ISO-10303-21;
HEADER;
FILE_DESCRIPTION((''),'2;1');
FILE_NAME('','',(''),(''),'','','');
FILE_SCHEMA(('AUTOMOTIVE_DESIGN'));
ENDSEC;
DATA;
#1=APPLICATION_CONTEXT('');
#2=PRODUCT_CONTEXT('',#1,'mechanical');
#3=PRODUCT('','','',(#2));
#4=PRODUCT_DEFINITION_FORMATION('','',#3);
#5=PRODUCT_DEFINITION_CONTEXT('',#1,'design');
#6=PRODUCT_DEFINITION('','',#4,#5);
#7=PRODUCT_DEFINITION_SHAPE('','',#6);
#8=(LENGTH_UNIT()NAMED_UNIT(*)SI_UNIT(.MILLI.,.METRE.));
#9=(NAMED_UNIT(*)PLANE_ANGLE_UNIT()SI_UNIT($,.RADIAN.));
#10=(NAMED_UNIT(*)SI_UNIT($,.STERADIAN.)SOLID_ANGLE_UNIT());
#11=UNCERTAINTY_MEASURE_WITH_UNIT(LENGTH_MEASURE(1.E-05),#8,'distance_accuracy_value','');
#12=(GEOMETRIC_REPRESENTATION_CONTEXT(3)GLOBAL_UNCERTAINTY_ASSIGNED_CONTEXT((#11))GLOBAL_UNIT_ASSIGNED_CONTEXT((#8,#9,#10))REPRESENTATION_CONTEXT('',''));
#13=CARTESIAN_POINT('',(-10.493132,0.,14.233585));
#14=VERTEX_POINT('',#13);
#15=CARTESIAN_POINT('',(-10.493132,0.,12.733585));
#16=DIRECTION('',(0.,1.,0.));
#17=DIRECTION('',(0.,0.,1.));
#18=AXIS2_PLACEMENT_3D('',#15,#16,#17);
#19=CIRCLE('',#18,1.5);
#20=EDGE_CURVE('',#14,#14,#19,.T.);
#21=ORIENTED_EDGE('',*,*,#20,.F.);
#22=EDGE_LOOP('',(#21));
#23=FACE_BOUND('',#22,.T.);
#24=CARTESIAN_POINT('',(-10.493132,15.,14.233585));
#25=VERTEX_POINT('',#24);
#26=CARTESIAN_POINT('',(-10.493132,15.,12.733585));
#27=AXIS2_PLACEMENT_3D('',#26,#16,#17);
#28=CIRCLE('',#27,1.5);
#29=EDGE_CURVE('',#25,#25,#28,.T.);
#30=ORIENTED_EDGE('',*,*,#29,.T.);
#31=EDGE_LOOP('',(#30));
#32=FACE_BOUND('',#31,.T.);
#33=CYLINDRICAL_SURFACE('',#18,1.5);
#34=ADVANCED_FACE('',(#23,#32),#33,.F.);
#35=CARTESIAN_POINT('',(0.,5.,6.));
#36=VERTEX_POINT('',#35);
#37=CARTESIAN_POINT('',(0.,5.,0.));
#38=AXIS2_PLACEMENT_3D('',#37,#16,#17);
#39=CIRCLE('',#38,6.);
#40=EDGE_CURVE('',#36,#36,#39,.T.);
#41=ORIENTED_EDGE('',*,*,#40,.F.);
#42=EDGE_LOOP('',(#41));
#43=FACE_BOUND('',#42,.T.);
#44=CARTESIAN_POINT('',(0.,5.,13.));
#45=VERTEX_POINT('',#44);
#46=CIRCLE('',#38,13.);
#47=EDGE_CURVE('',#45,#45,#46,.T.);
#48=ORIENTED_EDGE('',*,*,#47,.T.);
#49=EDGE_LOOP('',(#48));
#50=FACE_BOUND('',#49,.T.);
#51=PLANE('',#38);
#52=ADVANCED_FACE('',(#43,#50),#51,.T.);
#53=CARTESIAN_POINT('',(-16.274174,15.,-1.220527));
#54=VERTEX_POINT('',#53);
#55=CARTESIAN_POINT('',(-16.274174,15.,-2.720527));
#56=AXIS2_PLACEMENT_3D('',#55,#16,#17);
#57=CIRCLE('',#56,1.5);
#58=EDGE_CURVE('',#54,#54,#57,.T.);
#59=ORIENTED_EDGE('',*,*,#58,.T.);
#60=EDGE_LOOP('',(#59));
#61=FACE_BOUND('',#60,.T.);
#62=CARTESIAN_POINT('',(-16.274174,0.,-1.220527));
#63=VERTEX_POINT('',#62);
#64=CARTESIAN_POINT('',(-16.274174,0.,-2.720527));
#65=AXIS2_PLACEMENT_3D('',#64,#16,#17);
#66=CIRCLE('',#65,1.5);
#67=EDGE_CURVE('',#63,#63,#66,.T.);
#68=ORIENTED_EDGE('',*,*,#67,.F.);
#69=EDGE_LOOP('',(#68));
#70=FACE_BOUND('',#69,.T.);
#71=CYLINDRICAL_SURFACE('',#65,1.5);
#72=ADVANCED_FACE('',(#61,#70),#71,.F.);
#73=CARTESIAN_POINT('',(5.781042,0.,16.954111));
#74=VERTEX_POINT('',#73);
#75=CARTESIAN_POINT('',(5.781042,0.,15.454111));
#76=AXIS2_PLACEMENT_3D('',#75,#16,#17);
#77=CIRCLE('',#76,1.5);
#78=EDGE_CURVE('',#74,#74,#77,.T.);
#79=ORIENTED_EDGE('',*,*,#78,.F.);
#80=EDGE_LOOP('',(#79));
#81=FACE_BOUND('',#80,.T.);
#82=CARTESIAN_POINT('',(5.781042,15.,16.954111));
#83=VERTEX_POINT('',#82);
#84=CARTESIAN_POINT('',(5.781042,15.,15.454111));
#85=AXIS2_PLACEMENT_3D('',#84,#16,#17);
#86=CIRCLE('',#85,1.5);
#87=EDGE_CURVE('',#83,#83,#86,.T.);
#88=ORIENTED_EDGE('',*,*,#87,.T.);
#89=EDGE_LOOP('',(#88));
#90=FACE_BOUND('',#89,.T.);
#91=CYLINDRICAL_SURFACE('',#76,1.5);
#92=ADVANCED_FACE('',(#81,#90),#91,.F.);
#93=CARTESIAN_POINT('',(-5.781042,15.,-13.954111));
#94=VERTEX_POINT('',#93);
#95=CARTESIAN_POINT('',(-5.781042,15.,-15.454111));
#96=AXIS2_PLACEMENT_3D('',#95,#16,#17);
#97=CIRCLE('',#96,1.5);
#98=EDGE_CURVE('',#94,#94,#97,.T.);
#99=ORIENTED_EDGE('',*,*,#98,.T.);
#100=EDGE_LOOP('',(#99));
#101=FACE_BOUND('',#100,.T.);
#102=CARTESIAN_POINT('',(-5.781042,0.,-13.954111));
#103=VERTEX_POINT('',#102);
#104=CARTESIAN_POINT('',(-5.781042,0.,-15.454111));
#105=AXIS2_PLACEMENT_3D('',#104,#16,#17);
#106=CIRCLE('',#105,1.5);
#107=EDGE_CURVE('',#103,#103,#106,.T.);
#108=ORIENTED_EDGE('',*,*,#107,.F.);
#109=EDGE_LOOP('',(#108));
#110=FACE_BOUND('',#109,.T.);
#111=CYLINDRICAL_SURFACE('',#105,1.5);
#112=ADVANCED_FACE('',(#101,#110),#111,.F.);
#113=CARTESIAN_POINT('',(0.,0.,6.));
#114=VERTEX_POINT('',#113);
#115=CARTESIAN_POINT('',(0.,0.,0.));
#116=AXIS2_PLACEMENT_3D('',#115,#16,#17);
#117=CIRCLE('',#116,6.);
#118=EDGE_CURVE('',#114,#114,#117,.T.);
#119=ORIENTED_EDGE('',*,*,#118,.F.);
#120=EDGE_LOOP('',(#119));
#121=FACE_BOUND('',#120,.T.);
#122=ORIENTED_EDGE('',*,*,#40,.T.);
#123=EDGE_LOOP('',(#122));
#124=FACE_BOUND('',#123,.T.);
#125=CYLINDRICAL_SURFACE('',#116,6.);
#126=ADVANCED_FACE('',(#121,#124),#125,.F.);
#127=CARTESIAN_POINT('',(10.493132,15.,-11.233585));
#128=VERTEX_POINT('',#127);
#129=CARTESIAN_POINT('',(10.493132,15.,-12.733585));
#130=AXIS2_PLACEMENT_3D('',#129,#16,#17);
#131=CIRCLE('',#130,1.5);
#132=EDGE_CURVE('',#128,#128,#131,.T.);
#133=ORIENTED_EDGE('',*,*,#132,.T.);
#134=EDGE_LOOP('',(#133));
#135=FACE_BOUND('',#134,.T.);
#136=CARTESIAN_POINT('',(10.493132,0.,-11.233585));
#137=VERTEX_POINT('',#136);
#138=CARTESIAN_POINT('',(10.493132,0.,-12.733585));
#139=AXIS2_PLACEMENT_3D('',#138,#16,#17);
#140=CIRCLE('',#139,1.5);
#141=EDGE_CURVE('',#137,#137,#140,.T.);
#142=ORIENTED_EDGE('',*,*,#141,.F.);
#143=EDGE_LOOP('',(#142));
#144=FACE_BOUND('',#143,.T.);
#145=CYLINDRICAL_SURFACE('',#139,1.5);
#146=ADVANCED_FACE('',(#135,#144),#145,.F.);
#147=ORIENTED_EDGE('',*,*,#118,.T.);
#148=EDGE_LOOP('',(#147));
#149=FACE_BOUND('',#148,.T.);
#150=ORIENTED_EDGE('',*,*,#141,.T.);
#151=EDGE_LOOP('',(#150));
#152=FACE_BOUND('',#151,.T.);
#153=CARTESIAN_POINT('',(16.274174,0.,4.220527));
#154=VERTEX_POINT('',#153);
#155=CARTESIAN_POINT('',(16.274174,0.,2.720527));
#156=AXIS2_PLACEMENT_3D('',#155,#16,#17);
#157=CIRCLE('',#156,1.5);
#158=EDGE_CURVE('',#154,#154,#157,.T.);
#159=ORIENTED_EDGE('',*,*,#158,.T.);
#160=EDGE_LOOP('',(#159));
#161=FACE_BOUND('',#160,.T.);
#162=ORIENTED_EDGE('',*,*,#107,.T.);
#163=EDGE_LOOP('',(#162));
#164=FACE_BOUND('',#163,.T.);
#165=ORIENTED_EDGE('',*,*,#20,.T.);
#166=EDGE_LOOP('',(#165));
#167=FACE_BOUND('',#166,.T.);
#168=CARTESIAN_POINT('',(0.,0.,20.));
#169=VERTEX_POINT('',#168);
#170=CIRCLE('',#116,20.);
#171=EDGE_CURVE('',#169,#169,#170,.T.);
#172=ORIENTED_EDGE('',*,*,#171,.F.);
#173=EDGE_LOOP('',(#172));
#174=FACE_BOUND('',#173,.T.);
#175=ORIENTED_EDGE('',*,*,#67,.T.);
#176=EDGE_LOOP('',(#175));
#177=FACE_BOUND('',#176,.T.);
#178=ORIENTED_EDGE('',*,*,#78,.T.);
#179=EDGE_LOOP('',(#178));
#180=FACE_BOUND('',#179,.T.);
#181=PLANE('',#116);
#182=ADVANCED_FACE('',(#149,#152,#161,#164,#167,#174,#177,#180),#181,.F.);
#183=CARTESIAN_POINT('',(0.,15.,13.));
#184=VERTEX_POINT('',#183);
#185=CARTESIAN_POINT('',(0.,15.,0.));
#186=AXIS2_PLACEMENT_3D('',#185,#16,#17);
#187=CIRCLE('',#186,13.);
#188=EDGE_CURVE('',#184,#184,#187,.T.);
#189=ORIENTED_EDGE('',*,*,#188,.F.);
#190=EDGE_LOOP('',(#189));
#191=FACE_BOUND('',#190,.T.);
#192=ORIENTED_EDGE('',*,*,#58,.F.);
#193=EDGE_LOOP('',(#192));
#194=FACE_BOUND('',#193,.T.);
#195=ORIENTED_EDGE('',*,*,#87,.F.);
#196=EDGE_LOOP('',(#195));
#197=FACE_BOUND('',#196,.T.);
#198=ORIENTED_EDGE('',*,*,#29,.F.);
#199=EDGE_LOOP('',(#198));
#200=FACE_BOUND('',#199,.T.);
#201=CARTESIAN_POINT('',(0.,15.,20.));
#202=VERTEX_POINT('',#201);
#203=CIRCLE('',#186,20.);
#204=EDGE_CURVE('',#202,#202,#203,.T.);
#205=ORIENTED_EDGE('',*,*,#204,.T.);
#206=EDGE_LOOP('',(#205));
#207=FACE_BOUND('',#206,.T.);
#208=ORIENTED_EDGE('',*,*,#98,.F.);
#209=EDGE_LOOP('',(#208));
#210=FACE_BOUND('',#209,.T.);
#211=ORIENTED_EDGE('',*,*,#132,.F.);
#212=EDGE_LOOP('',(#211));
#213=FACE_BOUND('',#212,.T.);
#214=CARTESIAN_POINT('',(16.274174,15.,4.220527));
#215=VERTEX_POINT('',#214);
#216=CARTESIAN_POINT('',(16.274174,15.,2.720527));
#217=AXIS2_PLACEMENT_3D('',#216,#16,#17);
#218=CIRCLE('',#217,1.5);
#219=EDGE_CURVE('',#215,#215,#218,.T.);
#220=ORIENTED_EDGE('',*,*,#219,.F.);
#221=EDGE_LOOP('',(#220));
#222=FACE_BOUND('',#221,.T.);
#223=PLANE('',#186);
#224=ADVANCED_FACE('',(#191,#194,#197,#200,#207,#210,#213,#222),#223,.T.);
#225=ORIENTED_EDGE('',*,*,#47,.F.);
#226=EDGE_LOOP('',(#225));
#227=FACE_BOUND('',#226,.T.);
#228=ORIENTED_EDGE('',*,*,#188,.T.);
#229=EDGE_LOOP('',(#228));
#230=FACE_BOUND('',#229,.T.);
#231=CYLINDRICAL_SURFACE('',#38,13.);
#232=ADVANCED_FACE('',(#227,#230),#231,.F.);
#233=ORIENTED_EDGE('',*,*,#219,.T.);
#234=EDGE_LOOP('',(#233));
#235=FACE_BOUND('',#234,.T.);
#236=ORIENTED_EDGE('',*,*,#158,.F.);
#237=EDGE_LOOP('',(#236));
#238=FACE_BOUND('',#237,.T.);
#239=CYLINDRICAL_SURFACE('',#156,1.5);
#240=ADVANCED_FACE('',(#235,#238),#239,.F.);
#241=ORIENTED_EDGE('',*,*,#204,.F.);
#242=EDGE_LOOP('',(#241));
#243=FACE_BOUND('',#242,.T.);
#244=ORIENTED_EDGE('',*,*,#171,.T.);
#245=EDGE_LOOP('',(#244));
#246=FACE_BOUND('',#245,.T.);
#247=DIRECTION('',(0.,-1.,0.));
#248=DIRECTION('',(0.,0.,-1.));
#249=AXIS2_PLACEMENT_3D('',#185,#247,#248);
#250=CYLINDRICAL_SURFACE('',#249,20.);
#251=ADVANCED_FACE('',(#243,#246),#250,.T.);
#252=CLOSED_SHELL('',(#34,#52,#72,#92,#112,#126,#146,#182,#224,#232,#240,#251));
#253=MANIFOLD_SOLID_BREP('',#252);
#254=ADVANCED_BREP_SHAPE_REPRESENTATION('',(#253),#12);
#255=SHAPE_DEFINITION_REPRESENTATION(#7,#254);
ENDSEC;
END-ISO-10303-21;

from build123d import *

# Parameters (mm, degrees)
SKETCH1_R           = 20
BOSS_EXTRUDE1_DEPTH = 15
SKETCH2_R           = 13
CUT_EXTRUDE1_DEPTH  = 10
SKETCH3_R           = 6
CUT_EXTRUDE2_DEPTH  = 5
SKETCH4_R           = 1.5
CUT_EXTRUDE3_DEPTH  = 15


with BuildPart() as part:
    # Sketch1 → Boss-Extrude1 (new body)
    with BuildSketch(Plane(origin=(0, 0, 0), x_dir=(1, 0, 0), z_dir=(0, 1, 0))):
        Circle(SKETCH1_R)
    extrude(amount=BOSS_EXTRUDE1_DEPTH)

    # Sketch2 → Cut-Extrude1 (cut)
    with BuildSketch(Plane(origin=(0, 15, 0), x_dir=(1, 0, 0), z_dir=(0, 1, 0))):
        Circle(SKETCH2_R)
    extrude(amount=-CUT_EXTRUDE1_DEPTH, mode=Mode.SUBTRACT)

    # Sketch3 → Cut-Extrude2 (cut)
    with BuildSketch(Plane(origin=(0, 5, 0), x_dir=(1, 0, 0), z_dir=(0, 1, 0))):
        Circle(SKETCH3_R)
    extrude(amount=-CUT_EXTRUDE2_DEPTH, mode=Mode.SUBTRACT)

    # Sketch4 → Cut-Extrude3 (cut)
    with BuildSketch(Plane(origin=(0, 15, 0), x_dir=(1, 0, 0), z_dir=(0, 1, 0))):
        with Locations((-10.493132047, -12.733584721)):
            Circle(SKETCH4_R)
        with Locations((-16.274173873, 2.720526557)):
            Circle(SKETCH4_R)
        with Locations((-5.781041827, 15.454111278)):
            Circle(SKETCH4_R)
        with Locations((10.493132047, 12.733584721)):
            Circle(SKETCH4_R)
        with Locations((16.274173873, -2.720526557)):
            Circle(SKETCH4_R)
        with Locations((5.781041827, -15.454111278)):
            Circle(SKETCH4_R)
    extrude(amount=-CUT_EXTRUDE3_DEPTH, mode=Mode.SUBTRACT)


solid = part.part
